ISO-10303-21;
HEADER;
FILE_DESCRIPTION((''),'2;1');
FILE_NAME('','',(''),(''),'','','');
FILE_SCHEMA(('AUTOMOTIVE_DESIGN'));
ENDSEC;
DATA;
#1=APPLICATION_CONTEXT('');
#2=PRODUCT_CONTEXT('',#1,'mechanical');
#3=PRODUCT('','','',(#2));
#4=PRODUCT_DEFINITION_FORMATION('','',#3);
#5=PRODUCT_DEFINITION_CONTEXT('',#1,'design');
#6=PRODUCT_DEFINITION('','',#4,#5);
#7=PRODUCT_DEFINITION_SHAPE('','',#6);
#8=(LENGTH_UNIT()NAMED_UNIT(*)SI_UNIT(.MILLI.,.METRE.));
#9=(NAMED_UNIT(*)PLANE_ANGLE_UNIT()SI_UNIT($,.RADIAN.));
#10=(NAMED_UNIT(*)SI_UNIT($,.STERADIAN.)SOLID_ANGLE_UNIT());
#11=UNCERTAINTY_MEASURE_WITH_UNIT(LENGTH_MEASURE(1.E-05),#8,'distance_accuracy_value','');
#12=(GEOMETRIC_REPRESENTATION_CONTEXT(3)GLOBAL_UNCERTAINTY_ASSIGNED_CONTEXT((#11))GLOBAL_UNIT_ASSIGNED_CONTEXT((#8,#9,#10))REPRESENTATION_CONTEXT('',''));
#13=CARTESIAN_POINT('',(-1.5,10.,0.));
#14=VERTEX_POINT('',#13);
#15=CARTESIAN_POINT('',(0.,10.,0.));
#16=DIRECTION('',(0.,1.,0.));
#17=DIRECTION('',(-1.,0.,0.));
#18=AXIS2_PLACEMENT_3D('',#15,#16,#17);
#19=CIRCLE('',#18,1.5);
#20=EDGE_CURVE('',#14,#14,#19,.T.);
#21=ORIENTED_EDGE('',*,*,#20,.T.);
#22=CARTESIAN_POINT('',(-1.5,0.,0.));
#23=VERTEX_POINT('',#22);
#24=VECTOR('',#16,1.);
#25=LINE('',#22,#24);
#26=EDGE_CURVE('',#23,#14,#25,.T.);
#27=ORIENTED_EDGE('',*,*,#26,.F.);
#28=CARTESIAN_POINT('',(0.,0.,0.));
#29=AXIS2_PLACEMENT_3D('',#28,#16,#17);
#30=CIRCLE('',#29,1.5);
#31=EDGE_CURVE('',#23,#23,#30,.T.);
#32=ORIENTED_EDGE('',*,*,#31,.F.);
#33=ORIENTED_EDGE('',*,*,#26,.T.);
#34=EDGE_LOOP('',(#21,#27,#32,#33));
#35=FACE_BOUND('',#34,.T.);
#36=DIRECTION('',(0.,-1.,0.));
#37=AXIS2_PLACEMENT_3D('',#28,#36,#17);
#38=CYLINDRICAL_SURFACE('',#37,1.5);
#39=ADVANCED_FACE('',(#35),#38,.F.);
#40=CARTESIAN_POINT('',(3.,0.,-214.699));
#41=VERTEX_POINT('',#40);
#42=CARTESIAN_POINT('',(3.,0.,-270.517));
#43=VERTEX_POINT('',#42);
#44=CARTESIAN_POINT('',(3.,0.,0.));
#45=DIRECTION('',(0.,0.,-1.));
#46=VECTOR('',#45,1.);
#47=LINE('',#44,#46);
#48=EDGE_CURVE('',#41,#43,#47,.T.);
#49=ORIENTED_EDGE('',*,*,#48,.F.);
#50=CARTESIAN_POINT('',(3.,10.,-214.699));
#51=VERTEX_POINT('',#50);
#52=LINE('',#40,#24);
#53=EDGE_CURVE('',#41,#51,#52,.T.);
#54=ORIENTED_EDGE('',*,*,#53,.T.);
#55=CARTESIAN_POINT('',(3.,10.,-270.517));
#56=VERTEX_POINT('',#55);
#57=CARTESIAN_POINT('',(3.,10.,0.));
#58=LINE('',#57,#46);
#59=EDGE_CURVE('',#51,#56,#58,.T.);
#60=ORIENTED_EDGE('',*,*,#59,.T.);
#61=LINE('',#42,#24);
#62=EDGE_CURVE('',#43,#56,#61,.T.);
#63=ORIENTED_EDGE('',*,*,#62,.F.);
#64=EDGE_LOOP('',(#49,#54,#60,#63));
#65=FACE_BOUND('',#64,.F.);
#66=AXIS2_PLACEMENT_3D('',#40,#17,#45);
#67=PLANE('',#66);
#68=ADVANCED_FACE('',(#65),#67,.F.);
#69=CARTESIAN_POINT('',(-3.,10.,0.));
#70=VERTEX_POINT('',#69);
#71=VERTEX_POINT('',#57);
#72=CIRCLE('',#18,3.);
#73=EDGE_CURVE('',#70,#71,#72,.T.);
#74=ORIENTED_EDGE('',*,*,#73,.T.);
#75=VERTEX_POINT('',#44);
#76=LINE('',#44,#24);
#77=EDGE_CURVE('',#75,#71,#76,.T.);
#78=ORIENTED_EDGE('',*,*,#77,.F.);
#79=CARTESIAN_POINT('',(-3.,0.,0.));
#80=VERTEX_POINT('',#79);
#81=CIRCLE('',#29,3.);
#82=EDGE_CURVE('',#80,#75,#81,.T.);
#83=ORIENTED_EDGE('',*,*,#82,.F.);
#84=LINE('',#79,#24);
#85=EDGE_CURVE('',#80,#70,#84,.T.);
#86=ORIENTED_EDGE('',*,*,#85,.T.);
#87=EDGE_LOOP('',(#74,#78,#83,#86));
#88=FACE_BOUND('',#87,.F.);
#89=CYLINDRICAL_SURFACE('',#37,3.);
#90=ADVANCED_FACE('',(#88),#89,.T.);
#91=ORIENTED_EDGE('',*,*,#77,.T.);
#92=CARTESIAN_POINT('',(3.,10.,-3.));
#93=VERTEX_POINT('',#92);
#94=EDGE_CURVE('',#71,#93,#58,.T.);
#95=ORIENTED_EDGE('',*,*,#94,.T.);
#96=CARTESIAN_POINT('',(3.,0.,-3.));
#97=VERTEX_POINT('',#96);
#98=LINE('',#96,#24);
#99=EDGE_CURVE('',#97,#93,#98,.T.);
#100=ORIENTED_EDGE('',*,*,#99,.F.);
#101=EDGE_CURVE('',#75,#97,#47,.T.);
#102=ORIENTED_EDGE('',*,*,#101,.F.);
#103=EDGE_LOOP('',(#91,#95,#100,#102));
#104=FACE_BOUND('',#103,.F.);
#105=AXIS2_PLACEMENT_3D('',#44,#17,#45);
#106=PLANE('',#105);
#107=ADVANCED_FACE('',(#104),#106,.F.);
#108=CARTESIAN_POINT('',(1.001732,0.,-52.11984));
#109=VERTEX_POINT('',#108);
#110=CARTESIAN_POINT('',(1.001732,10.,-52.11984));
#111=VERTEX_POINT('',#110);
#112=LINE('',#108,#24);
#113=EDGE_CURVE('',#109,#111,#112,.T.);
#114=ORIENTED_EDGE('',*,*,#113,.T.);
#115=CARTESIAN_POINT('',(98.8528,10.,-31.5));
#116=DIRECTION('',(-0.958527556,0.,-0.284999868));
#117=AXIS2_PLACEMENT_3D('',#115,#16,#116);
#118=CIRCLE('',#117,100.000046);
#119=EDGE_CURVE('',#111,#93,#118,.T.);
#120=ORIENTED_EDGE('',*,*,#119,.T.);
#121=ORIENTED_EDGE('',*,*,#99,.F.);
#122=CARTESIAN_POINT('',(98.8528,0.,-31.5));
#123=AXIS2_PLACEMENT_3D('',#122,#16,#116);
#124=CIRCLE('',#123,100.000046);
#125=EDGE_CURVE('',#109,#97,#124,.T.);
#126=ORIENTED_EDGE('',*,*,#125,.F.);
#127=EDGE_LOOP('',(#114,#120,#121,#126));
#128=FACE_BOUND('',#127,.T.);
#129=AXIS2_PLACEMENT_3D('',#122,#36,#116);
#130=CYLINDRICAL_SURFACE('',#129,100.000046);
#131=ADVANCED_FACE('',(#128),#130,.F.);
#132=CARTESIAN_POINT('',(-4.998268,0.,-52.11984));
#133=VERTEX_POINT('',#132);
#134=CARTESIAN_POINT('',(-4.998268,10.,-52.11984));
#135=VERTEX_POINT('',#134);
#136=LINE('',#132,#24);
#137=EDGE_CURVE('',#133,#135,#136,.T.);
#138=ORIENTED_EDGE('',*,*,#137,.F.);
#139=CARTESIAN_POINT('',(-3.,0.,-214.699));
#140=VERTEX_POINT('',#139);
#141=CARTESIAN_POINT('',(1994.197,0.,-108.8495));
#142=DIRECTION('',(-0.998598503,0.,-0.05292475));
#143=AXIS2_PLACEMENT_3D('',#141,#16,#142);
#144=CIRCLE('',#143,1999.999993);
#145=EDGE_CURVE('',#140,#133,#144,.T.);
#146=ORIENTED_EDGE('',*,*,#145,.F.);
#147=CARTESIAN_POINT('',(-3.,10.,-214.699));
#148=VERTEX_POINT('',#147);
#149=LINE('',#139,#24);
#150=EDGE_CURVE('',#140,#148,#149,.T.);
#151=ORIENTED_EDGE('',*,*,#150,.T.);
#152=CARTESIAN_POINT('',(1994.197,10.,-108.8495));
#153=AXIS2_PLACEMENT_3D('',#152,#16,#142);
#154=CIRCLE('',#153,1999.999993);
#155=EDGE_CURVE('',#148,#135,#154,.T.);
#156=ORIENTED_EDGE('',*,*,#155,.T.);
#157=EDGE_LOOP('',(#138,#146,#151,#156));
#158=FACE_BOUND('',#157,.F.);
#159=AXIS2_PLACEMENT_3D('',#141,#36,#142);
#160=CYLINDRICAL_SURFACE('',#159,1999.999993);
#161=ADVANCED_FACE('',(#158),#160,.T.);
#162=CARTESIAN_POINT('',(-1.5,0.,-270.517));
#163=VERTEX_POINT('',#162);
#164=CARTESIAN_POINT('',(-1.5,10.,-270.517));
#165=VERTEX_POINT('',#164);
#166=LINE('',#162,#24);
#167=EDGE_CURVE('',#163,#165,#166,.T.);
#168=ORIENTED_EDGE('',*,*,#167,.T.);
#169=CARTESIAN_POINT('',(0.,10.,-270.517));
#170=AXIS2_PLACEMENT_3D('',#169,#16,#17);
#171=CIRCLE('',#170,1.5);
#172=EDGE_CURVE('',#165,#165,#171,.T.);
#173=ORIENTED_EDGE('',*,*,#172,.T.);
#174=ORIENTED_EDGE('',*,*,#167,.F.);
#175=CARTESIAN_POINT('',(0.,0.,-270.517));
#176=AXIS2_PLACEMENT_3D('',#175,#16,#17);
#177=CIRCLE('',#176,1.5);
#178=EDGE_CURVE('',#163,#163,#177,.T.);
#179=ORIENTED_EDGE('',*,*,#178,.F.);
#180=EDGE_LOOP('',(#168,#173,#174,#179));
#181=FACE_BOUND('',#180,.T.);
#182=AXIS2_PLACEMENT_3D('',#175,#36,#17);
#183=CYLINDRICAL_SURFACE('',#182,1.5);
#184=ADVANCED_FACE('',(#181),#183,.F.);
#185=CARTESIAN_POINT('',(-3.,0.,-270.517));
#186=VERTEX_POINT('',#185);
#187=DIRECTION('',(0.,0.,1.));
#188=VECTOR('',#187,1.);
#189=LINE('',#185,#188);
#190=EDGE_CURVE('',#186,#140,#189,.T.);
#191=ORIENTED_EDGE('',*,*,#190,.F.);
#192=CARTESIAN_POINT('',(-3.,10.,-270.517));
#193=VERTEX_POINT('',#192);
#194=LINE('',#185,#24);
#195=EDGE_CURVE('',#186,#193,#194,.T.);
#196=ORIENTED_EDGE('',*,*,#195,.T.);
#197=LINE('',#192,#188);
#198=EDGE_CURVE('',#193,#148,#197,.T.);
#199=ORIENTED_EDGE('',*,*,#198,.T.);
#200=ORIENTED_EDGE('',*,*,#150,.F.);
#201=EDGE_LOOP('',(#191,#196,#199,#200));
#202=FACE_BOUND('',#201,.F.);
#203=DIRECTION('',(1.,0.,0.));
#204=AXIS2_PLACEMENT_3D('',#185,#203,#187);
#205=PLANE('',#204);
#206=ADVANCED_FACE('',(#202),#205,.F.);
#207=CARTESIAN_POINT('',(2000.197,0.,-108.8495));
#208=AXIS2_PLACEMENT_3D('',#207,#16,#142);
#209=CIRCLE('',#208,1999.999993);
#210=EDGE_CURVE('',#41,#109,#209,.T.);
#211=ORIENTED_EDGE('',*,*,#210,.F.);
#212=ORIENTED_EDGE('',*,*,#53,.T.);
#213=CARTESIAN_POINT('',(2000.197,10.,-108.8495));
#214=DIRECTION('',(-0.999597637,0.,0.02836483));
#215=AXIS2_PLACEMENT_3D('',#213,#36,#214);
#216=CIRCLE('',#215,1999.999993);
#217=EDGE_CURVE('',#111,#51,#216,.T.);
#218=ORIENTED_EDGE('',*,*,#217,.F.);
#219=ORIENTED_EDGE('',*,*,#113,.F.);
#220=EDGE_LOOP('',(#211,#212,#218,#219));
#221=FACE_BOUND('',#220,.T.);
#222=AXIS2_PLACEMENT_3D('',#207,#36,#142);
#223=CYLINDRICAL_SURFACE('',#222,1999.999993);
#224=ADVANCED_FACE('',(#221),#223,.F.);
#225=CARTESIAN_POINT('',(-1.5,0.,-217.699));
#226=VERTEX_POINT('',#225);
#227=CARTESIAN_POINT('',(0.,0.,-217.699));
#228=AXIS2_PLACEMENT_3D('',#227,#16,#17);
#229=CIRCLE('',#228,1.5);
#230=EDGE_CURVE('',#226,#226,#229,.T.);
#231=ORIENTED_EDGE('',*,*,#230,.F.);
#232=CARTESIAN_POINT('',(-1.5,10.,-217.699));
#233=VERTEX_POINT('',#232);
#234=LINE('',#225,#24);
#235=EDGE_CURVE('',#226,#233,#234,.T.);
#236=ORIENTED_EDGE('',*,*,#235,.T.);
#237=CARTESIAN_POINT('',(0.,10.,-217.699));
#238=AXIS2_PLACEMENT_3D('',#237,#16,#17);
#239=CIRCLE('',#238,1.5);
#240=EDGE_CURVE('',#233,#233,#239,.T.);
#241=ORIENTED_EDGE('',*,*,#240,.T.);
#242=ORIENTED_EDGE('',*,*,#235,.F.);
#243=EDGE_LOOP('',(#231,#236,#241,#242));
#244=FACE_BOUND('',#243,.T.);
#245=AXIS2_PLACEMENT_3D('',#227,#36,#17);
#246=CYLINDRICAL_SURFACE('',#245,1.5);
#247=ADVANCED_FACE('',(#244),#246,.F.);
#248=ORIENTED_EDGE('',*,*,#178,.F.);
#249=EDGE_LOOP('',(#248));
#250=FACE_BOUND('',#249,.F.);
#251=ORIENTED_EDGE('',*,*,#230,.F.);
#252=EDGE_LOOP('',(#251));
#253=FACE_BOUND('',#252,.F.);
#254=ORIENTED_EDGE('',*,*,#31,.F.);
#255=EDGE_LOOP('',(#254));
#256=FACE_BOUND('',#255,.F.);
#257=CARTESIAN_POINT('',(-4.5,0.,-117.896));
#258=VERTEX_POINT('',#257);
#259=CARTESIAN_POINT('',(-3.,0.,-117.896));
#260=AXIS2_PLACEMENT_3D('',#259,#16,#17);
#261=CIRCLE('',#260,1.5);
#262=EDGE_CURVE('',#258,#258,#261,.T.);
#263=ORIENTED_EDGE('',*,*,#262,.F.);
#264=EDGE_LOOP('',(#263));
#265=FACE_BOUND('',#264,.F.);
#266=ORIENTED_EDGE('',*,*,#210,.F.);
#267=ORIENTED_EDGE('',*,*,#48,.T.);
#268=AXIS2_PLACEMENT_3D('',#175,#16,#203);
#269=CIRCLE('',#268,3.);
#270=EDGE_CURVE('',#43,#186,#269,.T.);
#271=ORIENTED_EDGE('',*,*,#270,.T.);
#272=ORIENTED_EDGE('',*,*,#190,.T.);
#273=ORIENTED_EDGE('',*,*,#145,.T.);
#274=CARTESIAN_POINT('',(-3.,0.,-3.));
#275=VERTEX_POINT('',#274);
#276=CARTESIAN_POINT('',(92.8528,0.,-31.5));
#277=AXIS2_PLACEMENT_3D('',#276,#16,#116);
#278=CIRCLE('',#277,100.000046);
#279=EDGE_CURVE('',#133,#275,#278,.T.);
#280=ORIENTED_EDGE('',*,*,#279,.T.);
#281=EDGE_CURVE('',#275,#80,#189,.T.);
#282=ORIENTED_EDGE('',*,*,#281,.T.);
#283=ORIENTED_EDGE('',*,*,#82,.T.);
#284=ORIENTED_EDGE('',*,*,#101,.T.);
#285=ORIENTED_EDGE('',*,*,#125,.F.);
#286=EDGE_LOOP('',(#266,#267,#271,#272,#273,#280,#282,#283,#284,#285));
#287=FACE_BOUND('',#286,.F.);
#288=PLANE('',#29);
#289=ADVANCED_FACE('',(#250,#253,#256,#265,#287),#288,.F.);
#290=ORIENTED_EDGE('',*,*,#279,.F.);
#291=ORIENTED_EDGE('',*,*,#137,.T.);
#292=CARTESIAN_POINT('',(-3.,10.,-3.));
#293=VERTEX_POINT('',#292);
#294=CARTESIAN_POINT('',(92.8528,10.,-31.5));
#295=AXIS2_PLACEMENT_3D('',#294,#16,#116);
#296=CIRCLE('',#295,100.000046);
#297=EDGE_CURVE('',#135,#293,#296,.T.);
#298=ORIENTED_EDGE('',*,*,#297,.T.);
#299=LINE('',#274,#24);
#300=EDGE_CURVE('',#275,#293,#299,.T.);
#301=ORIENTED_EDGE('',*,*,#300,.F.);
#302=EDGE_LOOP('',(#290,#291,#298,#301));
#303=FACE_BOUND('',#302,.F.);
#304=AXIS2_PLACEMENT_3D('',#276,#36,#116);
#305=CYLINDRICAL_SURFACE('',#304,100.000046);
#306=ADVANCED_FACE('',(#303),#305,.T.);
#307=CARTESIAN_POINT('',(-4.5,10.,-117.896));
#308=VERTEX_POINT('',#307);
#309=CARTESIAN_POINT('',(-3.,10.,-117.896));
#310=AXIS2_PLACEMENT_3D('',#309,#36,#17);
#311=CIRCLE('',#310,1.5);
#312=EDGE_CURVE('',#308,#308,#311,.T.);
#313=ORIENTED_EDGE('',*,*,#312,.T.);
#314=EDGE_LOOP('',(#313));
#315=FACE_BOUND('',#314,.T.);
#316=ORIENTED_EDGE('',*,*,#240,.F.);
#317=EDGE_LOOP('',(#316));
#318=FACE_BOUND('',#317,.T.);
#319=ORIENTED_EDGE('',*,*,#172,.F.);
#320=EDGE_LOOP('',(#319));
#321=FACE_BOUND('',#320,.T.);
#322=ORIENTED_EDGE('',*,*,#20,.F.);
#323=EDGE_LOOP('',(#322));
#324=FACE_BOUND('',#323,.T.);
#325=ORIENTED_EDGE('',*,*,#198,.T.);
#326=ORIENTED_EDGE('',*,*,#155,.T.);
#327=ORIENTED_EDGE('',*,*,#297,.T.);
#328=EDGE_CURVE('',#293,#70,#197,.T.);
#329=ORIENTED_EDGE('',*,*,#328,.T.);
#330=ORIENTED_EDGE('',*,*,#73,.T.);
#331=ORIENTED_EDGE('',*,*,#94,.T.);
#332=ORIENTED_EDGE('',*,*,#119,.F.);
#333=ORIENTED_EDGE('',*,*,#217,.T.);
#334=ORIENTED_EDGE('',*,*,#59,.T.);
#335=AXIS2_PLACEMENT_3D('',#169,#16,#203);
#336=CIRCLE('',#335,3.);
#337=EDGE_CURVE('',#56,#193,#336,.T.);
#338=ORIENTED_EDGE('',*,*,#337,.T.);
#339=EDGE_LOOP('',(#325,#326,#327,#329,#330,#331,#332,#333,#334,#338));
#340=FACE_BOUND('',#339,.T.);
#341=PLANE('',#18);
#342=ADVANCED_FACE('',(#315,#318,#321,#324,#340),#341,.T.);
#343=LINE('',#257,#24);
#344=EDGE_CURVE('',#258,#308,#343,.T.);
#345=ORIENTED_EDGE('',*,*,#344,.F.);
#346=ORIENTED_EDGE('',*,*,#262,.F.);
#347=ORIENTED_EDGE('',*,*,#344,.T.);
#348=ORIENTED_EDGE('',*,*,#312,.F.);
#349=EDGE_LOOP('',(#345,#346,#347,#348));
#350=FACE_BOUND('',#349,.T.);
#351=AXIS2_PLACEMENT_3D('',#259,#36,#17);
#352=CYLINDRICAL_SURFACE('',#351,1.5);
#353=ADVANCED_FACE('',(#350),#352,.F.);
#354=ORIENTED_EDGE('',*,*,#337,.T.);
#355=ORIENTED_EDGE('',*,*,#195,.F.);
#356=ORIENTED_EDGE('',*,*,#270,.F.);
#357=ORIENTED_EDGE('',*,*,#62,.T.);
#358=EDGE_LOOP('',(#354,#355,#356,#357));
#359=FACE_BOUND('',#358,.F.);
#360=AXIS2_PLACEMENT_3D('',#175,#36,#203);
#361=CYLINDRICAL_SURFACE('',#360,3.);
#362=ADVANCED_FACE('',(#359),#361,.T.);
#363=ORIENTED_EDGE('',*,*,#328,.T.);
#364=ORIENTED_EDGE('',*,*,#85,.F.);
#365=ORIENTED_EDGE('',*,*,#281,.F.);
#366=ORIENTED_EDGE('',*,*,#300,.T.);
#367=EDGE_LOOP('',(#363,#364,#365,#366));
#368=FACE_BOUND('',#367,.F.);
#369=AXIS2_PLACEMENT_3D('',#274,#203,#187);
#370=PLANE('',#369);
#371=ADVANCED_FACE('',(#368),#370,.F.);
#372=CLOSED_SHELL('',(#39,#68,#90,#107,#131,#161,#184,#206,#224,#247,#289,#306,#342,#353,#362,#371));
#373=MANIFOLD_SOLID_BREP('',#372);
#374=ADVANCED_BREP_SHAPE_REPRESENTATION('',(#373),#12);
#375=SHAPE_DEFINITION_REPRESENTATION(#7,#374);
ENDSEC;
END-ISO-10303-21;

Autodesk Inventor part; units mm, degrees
ref_plane "YZ Plane" through (0, 0, 0) normal (1, 0, 0) x (0, 1, 0)
ref_plane "XZ Plane" through (0, 0, 0) normal (0, 1, 0) x (-1, 0, 0)
ref_plane "XY Plane" through (0, 0, 0) normal (0, 0, 1) x (1, 0, 0)
sketch "Sketch1" plane through (0, 0, 0) normal (0, 1, 0) x (-1, 0, 0)
  line L0 (0, 0) -> (0, -270.517) construction
  line L1 (-3, 0) -> (-3, -270.517)
  line L2 (3, -270.517) -> (3, 0)
  arc A0 (3, 0) -> (-3, 0) centre (0, 0) ccw
  arc A1 (-3, -270.517) -> (3, -270.517) centre (0, -270.517) ccw
  circle A2 centre (0, 0) radius 1.5
  circle A3 centre (0, -270.517) radius 1.5
  circle A4 centre (0, -117.696) radius 1.5
  circle A5 centre (0, -217.699) radius 1.5
  arc A6 (3, -214.699) -> (3, -3) centre (-1994.197, -108.8495) ccw
  arc A7 (-3, -214.699) -> (-3, -3) centre (-2000.197, -108.8495) ccw
  circle A8 centre (3, -117.896) radius 1.5
  arc A9 (-3, -60) -> (-3, -3) centre (-98.8528, -31.5) ccw
  arc A10 (3, -60) -> (3, -3) centre (-92.8528, -31.5) ccw
  point P0 (0, -135.2585)
  point P1 (4.9983, -52.1198)
  point P2 (-1.0017, -52.1198)
  dimension "d0" = 6
  dimension "d1" = 270.517
  dimension "d2" = 3
  dimension "d3" = 3
  dimension "d10" = 3
  dimension "d11" = 117.696
  dimension "d12" = 3
  dimension "d13" = 217.699
  dimension "d22" = 2000
  dimension "d23" = 2000
  dimension "d24" = 3
  dimension "d25" = 3
  dimension "d26" = 3
  dimension "d27" = 3
  dimension "d28" = 0.2
  dimension "d29" = 100
  dimension "d30" = 100
  dimension "d31" = 60
  dimension "d33" = 60
extrude "Extrusion1" add sketch "Sketch1" along normal blind 10 contours A0 L2 A8 A1 L1 A7 A4 A9 | A6 A10 L2 | A10 A6 | A4 A7 | A10 A6 L2 A8 picked at (0.3556, -117.6954)
